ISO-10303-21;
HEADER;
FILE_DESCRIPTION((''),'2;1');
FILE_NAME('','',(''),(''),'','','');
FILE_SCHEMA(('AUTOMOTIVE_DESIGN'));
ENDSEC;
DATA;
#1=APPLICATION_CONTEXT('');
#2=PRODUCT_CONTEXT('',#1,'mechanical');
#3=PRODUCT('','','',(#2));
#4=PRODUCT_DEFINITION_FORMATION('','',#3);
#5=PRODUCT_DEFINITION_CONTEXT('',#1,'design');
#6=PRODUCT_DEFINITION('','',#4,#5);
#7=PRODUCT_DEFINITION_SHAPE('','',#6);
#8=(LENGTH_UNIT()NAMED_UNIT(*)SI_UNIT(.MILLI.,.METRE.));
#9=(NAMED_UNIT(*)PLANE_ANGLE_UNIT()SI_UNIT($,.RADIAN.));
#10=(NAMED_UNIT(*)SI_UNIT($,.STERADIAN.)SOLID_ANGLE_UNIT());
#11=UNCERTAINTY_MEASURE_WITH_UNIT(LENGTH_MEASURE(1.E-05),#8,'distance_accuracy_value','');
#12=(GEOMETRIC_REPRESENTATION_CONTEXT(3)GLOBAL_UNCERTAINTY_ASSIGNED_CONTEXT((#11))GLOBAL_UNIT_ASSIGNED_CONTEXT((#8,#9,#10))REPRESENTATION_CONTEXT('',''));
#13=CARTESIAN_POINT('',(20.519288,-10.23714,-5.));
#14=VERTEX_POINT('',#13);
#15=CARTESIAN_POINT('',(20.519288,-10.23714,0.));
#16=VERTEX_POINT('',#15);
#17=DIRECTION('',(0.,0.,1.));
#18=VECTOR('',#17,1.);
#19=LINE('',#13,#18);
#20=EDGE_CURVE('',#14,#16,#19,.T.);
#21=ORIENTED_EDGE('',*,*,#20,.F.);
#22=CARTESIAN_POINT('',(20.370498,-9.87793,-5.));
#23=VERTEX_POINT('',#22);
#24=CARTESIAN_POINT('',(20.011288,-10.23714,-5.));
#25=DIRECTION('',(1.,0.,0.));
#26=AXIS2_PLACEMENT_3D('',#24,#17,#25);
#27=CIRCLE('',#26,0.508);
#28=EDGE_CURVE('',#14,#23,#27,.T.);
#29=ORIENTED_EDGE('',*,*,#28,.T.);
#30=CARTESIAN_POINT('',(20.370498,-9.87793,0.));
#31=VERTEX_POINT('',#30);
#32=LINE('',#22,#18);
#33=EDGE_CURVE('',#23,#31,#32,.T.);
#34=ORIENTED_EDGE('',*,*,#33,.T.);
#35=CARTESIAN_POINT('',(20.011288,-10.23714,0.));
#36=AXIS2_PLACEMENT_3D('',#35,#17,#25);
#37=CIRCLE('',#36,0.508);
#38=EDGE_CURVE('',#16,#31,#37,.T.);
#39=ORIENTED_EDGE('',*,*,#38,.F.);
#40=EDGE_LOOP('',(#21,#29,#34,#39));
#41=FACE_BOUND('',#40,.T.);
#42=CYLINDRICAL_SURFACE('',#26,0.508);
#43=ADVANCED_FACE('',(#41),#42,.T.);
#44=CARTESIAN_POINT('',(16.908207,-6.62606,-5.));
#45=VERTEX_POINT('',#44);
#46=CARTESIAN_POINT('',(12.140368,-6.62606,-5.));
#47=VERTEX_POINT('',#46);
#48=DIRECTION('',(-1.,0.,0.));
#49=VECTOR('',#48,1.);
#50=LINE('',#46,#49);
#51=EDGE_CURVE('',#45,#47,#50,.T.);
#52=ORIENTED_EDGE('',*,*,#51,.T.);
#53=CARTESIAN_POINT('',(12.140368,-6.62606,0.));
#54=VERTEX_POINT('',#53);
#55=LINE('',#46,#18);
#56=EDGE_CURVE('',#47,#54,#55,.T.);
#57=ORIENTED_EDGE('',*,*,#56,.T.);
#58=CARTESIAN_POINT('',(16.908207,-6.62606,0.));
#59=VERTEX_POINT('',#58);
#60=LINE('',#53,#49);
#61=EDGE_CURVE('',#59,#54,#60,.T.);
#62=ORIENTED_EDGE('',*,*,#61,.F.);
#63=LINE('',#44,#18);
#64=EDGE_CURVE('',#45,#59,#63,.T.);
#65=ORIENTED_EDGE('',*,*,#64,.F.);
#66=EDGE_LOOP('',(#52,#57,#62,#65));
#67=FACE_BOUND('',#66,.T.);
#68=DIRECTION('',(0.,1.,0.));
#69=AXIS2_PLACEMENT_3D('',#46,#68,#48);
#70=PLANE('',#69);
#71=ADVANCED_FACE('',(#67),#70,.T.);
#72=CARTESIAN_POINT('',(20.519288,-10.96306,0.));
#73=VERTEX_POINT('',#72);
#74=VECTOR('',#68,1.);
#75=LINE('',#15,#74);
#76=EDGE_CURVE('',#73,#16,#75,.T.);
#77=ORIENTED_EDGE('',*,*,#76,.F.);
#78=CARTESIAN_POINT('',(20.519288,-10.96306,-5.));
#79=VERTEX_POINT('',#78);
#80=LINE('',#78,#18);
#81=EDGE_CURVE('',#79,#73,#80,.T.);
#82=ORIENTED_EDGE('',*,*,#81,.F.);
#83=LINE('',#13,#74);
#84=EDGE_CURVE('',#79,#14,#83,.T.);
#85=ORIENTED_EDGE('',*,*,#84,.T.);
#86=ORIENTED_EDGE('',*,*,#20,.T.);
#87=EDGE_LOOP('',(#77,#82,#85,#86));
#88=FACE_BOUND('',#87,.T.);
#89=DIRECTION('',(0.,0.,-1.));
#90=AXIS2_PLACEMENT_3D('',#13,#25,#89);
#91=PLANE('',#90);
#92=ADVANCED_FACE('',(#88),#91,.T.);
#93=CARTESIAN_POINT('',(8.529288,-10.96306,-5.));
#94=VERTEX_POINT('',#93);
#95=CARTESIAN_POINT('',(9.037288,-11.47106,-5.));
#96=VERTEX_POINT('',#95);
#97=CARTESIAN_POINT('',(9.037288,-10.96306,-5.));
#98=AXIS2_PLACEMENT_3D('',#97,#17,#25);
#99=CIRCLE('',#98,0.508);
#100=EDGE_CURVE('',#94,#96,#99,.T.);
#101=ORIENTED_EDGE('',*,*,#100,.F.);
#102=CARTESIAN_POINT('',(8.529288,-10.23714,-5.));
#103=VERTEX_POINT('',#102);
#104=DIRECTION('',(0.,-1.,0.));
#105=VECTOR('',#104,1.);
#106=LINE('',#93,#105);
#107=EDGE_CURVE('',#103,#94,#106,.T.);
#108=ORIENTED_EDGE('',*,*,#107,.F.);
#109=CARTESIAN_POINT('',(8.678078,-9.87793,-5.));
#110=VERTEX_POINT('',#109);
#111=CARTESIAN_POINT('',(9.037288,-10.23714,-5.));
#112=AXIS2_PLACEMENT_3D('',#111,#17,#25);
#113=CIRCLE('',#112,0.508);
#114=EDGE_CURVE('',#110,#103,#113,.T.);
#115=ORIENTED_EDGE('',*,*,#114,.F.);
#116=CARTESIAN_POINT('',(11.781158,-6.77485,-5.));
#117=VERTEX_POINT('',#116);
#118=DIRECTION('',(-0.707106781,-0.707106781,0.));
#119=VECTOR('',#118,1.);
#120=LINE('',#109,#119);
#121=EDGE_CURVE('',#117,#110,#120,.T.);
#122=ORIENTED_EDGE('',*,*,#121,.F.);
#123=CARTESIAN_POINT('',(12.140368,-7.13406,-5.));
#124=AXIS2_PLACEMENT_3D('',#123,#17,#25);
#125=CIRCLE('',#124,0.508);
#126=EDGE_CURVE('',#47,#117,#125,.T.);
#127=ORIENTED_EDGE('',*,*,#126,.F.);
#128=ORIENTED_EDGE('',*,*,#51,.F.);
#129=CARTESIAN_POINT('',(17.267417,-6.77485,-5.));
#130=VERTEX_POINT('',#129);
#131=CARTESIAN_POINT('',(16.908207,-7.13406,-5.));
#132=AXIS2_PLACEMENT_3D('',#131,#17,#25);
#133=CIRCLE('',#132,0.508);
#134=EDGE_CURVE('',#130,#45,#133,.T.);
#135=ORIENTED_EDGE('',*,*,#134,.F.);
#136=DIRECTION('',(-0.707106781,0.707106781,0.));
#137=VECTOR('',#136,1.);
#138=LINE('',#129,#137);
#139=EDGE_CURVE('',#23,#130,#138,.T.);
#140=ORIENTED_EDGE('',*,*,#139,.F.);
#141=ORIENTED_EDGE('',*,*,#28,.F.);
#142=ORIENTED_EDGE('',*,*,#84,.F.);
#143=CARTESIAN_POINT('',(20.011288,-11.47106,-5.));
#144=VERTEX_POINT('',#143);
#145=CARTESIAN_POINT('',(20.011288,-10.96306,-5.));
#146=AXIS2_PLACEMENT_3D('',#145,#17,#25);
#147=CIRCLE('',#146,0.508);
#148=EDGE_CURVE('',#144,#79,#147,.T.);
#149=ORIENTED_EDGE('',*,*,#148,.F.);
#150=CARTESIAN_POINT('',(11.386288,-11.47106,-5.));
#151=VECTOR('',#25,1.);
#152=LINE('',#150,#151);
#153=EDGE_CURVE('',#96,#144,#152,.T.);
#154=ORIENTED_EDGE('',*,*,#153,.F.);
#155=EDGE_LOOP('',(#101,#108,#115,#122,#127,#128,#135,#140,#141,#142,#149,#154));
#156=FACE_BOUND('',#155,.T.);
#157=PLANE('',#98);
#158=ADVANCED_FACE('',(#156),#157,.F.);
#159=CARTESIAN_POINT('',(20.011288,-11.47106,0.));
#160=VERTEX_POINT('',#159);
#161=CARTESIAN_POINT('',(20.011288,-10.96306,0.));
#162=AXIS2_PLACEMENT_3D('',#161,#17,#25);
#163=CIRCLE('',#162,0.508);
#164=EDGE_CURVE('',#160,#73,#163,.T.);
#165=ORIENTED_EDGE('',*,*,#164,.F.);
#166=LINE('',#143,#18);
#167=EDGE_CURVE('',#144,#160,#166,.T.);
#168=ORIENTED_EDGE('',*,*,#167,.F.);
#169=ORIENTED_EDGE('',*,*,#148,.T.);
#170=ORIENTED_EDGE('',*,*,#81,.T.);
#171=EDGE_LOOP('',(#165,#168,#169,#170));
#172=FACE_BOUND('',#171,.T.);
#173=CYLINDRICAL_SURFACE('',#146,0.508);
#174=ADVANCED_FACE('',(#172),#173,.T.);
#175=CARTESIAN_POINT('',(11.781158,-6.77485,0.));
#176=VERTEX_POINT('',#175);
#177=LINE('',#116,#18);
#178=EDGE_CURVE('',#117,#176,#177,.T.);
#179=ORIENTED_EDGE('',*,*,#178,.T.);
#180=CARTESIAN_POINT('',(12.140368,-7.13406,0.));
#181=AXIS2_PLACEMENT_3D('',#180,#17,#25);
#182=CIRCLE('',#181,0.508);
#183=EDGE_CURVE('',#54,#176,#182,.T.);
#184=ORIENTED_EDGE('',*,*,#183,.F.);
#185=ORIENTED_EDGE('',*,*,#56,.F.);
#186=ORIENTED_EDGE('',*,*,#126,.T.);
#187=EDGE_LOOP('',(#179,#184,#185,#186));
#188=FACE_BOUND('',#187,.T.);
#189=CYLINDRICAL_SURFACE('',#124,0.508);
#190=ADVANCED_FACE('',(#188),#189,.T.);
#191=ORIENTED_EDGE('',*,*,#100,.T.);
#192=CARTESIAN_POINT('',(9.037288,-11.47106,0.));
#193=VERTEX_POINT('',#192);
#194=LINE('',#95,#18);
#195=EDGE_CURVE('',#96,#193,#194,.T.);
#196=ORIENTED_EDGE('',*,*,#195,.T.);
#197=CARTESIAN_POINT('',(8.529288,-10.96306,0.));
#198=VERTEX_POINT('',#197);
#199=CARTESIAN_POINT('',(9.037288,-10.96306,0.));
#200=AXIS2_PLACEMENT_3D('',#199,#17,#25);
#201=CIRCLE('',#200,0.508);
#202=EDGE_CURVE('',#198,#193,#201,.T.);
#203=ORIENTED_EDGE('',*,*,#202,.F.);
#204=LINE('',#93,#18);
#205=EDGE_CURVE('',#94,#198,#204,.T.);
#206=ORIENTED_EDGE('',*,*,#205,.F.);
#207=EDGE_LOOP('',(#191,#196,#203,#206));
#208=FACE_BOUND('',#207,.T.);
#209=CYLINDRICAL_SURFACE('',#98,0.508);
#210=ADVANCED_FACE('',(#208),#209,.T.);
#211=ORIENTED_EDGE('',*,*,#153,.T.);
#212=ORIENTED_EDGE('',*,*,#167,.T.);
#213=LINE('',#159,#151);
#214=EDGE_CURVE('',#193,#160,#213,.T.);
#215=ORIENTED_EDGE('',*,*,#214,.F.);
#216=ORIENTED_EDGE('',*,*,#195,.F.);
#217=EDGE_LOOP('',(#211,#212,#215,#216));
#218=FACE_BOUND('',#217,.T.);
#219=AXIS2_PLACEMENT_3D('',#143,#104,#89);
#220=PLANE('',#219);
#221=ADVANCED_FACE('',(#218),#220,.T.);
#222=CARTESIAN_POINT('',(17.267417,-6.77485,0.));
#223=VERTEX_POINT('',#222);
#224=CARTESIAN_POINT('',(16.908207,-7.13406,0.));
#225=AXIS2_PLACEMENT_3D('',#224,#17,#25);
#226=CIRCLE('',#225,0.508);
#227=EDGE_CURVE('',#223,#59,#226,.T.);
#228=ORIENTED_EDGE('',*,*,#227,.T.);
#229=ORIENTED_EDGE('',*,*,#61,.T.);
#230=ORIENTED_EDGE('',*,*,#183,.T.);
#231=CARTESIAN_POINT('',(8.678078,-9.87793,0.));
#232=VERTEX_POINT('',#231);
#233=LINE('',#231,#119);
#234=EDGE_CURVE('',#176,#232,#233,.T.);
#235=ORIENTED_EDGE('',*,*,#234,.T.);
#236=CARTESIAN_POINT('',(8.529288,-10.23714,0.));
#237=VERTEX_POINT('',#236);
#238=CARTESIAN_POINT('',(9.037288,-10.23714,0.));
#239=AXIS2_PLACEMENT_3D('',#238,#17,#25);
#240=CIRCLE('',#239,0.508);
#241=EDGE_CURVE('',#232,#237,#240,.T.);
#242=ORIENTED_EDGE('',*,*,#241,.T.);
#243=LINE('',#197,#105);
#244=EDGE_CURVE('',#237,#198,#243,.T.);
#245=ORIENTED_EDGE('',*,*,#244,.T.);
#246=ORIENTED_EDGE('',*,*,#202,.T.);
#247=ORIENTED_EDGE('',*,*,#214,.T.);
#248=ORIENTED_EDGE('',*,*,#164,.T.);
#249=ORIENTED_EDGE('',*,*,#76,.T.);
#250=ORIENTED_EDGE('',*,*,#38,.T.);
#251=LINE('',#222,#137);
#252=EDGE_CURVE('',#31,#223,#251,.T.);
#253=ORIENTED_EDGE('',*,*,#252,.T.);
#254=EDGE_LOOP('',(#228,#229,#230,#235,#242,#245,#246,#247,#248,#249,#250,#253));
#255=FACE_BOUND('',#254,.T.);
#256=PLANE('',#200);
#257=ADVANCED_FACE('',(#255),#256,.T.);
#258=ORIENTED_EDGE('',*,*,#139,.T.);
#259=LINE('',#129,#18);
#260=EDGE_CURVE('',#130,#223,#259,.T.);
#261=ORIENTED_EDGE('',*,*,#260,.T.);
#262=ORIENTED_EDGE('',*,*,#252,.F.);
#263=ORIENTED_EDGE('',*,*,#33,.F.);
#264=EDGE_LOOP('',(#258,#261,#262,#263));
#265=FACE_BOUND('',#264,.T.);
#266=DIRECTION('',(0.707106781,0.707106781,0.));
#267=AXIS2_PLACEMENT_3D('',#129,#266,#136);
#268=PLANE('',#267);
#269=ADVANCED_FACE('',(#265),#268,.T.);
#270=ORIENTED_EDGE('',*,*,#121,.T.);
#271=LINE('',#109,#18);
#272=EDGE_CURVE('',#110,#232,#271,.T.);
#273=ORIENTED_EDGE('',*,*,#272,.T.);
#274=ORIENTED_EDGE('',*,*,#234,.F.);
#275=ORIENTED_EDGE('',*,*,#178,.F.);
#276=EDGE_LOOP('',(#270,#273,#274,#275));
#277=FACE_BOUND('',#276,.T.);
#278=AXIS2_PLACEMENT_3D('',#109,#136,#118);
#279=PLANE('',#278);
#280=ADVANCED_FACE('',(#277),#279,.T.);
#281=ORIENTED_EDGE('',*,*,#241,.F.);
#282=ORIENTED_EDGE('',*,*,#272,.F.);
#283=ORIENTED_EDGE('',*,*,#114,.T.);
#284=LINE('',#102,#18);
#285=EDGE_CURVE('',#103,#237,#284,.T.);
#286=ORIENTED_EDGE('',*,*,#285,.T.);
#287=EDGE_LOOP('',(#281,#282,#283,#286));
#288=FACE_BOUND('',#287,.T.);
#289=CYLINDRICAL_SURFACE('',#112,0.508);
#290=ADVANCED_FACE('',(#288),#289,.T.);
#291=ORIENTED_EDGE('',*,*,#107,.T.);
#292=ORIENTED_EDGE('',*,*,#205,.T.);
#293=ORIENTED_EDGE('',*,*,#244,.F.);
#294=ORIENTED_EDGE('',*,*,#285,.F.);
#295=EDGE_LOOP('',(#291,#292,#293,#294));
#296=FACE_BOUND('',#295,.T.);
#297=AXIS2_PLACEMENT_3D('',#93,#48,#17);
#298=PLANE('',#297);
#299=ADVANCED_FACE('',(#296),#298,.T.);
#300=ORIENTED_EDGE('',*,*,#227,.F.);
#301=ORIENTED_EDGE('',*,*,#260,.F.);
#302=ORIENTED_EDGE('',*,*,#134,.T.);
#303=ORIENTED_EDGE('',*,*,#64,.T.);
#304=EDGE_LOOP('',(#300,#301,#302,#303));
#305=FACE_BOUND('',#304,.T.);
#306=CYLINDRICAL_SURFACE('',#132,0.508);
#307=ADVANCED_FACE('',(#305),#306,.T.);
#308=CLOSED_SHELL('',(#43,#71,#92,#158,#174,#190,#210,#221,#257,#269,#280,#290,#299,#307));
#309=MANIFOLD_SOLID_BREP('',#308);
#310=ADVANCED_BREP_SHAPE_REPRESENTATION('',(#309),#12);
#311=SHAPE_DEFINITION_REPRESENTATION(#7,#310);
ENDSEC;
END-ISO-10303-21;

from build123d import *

# Parameters (mm, degrees)
P_IDAT_VYSUNUT_M1_DEPTH = 5


with BuildPart() as part:
    # Skica1 → Přidat vysunutím1 (new body)
    with BuildSketch(Plane.XY):
        with BuildLine():
            Line((17.662287798, -11.471059771), (11.386287798, -11.471059771))
            Line((11.386287798, -11.471059771), (9.037287798, -11.471059771))
            ThreePointArc((9.037287798, -11.471059771), (8.678077553, -11.322270016), (8.529287798, -10.963059771))
            Line((8.529287798, -10.963059771), (8.529287798, -10.237140432))
            ThreePointArc((8.529287798, -10.237140432), (8.567956995, -10.042737249), (8.678077553, -9.877930187))
            Line((8.678077553, -9.877930187), (11.781158214, -6.774849526))
            ThreePointArc((11.781158214, -6.774849526), (11.945965275, -6.664728968), (12.140368459, -6.626059771))
            Line((12.140368459, -6.626059771), (16.908207136, -6.626059771))
            ThreePointArc((16.908207136, -6.626059771), (17.10261032, -6.664728968), (17.267417381, -6.774849526))
            Line((17.267417381, -6.774849526), (20.370498042, -9.877930187))
            ThreePointArc((20.370498042, -9.877930187), (20.4806186, -10.042737249), (20.519287798, -10.237140432))
            Line((20.519287798, -10.237140432), (20.519287798, -10.963059771))
            ThreePointArc((20.519287798, -10.963059771), (20.370498042, -11.322270016), (20.011287798, -11.471059771))
            Line((20.011287798, -11.471059771), (17.662287798, -11.471059771))
        make_face()
    extrude(amount=-P_IDAT_VYSUNUT_M1_DEPTH)


solid = part.part
